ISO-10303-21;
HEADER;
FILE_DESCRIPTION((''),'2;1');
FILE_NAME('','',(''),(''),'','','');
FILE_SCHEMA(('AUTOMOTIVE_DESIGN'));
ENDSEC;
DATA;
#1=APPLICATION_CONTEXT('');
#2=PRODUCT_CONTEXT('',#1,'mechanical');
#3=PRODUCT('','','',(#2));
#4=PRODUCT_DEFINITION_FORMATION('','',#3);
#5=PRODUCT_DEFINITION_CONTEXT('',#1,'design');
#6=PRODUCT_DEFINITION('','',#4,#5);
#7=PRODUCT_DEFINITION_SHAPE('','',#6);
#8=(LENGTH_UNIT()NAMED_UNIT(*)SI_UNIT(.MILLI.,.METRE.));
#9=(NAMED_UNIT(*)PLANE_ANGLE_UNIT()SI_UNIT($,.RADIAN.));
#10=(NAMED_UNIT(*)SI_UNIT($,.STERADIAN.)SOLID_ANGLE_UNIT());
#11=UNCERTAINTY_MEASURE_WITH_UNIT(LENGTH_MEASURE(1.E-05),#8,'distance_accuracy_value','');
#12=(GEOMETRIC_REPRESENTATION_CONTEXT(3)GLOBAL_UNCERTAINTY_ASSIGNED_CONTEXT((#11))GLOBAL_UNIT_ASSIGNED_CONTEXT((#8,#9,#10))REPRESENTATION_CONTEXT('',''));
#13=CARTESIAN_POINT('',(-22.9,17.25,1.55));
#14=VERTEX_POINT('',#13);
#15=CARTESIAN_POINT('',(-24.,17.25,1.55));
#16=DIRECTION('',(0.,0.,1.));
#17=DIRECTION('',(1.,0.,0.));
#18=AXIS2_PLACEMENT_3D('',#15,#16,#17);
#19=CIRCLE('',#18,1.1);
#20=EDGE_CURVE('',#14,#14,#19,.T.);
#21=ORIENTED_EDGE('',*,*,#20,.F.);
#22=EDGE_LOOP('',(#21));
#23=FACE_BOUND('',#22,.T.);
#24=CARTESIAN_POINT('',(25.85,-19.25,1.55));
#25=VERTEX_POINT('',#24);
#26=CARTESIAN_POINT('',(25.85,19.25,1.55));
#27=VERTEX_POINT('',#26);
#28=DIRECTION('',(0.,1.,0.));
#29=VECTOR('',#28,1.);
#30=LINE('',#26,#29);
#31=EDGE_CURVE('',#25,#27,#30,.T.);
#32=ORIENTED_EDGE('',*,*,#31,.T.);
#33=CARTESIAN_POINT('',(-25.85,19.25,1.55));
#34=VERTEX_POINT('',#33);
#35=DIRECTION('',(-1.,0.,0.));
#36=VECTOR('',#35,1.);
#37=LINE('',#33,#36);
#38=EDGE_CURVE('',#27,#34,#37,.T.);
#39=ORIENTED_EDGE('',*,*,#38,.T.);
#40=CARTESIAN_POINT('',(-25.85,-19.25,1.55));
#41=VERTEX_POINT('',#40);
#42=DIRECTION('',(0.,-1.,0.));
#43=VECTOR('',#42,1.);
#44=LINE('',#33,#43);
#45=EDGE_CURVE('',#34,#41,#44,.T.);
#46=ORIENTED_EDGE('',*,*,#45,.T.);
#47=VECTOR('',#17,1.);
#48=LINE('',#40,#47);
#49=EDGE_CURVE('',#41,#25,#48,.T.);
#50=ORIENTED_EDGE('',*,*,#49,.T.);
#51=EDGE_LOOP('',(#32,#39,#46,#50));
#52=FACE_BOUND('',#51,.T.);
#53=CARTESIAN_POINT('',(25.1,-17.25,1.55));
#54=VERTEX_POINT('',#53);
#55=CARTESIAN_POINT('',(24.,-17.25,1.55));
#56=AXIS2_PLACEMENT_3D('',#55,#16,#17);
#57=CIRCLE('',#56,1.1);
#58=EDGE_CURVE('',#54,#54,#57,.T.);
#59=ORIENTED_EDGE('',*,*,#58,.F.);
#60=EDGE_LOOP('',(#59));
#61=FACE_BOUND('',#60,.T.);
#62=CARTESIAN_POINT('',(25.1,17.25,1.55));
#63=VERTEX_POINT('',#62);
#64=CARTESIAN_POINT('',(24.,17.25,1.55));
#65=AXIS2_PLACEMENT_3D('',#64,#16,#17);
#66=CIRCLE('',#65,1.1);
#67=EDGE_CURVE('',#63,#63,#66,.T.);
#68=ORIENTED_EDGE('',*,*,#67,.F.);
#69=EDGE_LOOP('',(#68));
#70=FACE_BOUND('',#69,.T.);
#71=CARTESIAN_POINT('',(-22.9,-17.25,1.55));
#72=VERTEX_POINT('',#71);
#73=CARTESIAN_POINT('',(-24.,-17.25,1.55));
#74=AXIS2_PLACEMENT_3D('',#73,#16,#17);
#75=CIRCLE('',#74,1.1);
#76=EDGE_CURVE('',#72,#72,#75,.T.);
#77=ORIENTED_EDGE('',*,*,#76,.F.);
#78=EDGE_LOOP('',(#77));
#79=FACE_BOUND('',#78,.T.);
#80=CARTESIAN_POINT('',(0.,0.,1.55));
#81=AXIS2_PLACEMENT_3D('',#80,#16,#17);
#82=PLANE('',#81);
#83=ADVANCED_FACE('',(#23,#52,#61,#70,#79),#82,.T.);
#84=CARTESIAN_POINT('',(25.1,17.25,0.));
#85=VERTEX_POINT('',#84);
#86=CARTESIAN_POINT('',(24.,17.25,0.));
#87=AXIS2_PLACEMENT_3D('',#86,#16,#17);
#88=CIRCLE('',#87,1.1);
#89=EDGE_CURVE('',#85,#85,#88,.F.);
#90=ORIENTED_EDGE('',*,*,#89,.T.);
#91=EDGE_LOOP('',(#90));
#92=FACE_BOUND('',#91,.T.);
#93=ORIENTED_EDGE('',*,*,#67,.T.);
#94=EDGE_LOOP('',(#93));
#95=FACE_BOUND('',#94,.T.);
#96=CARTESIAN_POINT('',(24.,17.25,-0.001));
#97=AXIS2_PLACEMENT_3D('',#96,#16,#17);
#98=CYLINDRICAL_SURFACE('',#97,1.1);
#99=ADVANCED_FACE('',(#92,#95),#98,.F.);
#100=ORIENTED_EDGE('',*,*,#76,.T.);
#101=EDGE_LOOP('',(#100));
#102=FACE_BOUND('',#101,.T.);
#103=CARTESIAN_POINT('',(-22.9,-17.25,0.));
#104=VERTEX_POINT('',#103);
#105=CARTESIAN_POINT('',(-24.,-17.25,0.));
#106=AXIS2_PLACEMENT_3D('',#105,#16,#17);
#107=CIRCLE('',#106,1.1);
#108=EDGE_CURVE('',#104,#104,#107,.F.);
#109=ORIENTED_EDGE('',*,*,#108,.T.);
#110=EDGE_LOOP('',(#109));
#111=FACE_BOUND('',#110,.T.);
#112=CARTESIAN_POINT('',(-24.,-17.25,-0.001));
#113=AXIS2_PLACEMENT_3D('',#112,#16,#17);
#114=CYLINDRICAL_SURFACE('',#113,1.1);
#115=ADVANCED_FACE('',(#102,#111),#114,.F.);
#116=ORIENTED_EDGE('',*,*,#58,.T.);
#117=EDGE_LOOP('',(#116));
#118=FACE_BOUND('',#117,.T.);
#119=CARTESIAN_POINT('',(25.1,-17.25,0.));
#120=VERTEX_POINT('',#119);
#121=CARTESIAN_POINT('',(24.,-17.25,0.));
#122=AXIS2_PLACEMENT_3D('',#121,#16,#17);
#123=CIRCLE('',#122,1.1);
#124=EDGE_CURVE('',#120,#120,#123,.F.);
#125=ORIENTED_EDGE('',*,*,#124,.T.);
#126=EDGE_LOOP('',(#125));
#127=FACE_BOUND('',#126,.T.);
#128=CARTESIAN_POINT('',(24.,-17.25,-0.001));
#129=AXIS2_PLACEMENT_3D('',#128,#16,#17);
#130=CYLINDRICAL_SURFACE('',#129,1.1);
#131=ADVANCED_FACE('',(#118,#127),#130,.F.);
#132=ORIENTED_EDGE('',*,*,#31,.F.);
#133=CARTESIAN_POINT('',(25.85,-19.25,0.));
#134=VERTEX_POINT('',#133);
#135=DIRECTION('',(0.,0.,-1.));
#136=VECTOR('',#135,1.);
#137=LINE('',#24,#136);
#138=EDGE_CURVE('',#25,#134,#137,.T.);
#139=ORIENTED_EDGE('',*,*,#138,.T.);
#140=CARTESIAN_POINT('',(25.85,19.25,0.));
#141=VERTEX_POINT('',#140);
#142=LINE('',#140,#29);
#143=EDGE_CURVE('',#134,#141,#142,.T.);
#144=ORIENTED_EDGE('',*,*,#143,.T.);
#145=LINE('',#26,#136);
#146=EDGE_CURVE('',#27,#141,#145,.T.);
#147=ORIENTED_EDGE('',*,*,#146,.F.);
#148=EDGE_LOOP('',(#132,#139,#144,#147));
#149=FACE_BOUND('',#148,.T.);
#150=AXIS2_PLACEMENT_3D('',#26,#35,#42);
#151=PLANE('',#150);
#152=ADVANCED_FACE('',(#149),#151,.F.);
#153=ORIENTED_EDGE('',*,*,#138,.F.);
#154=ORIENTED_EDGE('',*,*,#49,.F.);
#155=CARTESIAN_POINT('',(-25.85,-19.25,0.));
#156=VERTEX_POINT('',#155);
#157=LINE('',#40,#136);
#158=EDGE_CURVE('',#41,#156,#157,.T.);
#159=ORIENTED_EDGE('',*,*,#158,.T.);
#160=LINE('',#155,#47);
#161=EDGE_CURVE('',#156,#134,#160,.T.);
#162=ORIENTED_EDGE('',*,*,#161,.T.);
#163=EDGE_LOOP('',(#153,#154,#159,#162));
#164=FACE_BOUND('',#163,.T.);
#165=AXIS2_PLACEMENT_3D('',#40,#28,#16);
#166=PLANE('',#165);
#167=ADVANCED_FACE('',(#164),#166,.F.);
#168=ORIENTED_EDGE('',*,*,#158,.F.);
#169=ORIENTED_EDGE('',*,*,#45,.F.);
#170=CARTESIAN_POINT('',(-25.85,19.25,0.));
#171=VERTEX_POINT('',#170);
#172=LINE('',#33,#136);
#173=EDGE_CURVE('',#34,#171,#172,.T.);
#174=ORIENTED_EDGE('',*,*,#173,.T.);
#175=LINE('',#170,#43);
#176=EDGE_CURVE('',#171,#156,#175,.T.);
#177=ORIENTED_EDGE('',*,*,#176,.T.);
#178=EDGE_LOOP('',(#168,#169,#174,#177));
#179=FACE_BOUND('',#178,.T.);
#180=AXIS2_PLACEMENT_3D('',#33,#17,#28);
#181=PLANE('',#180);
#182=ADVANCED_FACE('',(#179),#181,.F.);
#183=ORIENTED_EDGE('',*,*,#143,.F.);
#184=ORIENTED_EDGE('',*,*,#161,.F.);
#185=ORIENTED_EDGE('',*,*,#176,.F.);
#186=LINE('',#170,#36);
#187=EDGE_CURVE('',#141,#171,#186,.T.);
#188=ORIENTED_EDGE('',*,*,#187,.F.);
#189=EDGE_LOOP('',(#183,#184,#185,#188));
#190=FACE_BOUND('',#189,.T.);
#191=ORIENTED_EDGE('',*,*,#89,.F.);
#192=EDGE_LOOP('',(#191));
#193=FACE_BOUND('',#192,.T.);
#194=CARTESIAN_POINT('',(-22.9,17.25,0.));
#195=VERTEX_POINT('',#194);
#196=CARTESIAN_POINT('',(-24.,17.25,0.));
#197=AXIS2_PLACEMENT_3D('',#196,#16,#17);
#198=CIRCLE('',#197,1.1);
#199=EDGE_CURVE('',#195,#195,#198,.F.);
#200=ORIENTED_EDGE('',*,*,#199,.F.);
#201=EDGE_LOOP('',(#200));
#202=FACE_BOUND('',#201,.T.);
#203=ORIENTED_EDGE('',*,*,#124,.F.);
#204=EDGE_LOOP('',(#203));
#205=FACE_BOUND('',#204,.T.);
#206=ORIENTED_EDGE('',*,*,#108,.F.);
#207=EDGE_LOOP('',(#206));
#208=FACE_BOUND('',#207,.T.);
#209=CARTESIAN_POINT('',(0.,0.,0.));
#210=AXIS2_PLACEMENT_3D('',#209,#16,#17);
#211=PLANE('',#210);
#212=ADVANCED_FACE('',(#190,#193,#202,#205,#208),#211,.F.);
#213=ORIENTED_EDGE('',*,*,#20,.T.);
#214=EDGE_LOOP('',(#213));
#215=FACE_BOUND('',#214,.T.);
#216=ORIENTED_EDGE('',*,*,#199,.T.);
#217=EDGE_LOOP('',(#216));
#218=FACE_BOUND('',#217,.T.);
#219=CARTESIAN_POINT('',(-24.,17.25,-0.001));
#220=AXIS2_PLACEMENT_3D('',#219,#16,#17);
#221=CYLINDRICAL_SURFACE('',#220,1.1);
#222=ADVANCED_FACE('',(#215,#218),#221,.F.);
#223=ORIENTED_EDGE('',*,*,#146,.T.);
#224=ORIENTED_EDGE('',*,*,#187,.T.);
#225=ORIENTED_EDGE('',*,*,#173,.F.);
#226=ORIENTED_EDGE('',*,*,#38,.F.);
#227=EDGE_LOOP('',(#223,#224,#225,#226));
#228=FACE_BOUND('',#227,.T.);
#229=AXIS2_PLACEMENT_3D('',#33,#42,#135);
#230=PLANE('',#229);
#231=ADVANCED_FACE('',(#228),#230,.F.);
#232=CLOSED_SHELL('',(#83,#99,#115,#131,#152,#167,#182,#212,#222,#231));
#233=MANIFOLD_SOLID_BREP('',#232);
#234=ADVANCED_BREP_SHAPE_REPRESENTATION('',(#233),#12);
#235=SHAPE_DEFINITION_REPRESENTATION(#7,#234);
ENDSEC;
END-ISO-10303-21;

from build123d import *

# Parameters (mm, degrees)
SKETCH1_W           = 51.7
SKETCH1_H           = 38.5
BOSS_EXTRUDE1_DEPTH = 1.55
CUT_EXTRUDE1_REACH  = 34.267
SKETCH2_R           = 1.1


with BuildPart() as part:
    # Sketch1 → Boss-Extrude1 (new body)
    with BuildSketch(Plane.XY):
        Rectangle(SKETCH1_W, SKETCH1_H)
    extrude(amount=BOSS_EXTRUDE1_DEPTH)

    # Sketch2 → Cut-Extrude1 (cut, up to next)
    with BuildSketch(Plane.XY.offset(1.55), mode=Mode.PRIVATE) as cut_extrude1_sk1:
        with Locations((-24, 17.25)):
            Circle(SKETCH2_R)
    cut_extrude1_tool1 = extrude(cut_extrude1_sk1.sketch, amount=-CUT_EXTRUDE1_REACH, mode=Mode.PRIVATE) & part.part
    # Sketch2 → Cut-Extrude1 (cut, up to next)
    with BuildSketch(Plane.XY.offset(1.55), mode=Mode.PRIVATE) as cut_extrude1_sk2:
        with Locations((24, 17.25)):
            Circle(SKETCH2_R)
    cut_extrude1_tool2 = extrude(cut_extrude1_sk2.sketch, amount=-CUT_EXTRUDE1_REACH, mode=Mode.PRIVATE) & part.part
    # Sketch2 → Cut-Extrude1 (cut, up to next)
    with BuildSketch(Plane.XY.offset(1.55), mode=Mode.PRIVATE) as cut_extrude1_sk3:
        with Locations((24, -17.25)):
            Circle(SKETCH2_R)
    cut_extrude1_tool3 = extrude(cut_extrude1_sk3.sketch, amount=-CUT_EXTRUDE1_REACH, mode=Mode.PRIVATE) & part.part
    # Sketch2 → Cut-Extrude1 (cut, up to next)
    with BuildSketch(Plane.XY.offset(1.55), mode=Mode.PRIVATE) as cut_extrude1_sk4:
        with Locations((-24, -17.25)):
            Circle(SKETCH2_R)
    cut_extrude1_tool4 = extrude(cut_extrude1_sk4.sketch, amount=-CUT_EXTRUDE1_REACH, mode=Mode.PRIVATE) & part.part
    add(cut_extrude1_tool1.solids().sort_by_distance((-24, 17.25, 1.55))[0], mode=Mode.SUBTRACT)
    add(cut_extrude1_tool2.solids().sort_by_distance((24, 17.25, 1.55))[0], mode=Mode.SUBTRACT)
    add(cut_extrude1_tool3.solids().sort_by_distance((24, -17.25, 1.55))[0], mode=Mode.SUBTRACT)
    add(cut_extrude1_tool4.solids().sort_by_distance((-24, -17.25, 1.55))[0], mode=Mode.SUBTRACT)


solid = part.part
